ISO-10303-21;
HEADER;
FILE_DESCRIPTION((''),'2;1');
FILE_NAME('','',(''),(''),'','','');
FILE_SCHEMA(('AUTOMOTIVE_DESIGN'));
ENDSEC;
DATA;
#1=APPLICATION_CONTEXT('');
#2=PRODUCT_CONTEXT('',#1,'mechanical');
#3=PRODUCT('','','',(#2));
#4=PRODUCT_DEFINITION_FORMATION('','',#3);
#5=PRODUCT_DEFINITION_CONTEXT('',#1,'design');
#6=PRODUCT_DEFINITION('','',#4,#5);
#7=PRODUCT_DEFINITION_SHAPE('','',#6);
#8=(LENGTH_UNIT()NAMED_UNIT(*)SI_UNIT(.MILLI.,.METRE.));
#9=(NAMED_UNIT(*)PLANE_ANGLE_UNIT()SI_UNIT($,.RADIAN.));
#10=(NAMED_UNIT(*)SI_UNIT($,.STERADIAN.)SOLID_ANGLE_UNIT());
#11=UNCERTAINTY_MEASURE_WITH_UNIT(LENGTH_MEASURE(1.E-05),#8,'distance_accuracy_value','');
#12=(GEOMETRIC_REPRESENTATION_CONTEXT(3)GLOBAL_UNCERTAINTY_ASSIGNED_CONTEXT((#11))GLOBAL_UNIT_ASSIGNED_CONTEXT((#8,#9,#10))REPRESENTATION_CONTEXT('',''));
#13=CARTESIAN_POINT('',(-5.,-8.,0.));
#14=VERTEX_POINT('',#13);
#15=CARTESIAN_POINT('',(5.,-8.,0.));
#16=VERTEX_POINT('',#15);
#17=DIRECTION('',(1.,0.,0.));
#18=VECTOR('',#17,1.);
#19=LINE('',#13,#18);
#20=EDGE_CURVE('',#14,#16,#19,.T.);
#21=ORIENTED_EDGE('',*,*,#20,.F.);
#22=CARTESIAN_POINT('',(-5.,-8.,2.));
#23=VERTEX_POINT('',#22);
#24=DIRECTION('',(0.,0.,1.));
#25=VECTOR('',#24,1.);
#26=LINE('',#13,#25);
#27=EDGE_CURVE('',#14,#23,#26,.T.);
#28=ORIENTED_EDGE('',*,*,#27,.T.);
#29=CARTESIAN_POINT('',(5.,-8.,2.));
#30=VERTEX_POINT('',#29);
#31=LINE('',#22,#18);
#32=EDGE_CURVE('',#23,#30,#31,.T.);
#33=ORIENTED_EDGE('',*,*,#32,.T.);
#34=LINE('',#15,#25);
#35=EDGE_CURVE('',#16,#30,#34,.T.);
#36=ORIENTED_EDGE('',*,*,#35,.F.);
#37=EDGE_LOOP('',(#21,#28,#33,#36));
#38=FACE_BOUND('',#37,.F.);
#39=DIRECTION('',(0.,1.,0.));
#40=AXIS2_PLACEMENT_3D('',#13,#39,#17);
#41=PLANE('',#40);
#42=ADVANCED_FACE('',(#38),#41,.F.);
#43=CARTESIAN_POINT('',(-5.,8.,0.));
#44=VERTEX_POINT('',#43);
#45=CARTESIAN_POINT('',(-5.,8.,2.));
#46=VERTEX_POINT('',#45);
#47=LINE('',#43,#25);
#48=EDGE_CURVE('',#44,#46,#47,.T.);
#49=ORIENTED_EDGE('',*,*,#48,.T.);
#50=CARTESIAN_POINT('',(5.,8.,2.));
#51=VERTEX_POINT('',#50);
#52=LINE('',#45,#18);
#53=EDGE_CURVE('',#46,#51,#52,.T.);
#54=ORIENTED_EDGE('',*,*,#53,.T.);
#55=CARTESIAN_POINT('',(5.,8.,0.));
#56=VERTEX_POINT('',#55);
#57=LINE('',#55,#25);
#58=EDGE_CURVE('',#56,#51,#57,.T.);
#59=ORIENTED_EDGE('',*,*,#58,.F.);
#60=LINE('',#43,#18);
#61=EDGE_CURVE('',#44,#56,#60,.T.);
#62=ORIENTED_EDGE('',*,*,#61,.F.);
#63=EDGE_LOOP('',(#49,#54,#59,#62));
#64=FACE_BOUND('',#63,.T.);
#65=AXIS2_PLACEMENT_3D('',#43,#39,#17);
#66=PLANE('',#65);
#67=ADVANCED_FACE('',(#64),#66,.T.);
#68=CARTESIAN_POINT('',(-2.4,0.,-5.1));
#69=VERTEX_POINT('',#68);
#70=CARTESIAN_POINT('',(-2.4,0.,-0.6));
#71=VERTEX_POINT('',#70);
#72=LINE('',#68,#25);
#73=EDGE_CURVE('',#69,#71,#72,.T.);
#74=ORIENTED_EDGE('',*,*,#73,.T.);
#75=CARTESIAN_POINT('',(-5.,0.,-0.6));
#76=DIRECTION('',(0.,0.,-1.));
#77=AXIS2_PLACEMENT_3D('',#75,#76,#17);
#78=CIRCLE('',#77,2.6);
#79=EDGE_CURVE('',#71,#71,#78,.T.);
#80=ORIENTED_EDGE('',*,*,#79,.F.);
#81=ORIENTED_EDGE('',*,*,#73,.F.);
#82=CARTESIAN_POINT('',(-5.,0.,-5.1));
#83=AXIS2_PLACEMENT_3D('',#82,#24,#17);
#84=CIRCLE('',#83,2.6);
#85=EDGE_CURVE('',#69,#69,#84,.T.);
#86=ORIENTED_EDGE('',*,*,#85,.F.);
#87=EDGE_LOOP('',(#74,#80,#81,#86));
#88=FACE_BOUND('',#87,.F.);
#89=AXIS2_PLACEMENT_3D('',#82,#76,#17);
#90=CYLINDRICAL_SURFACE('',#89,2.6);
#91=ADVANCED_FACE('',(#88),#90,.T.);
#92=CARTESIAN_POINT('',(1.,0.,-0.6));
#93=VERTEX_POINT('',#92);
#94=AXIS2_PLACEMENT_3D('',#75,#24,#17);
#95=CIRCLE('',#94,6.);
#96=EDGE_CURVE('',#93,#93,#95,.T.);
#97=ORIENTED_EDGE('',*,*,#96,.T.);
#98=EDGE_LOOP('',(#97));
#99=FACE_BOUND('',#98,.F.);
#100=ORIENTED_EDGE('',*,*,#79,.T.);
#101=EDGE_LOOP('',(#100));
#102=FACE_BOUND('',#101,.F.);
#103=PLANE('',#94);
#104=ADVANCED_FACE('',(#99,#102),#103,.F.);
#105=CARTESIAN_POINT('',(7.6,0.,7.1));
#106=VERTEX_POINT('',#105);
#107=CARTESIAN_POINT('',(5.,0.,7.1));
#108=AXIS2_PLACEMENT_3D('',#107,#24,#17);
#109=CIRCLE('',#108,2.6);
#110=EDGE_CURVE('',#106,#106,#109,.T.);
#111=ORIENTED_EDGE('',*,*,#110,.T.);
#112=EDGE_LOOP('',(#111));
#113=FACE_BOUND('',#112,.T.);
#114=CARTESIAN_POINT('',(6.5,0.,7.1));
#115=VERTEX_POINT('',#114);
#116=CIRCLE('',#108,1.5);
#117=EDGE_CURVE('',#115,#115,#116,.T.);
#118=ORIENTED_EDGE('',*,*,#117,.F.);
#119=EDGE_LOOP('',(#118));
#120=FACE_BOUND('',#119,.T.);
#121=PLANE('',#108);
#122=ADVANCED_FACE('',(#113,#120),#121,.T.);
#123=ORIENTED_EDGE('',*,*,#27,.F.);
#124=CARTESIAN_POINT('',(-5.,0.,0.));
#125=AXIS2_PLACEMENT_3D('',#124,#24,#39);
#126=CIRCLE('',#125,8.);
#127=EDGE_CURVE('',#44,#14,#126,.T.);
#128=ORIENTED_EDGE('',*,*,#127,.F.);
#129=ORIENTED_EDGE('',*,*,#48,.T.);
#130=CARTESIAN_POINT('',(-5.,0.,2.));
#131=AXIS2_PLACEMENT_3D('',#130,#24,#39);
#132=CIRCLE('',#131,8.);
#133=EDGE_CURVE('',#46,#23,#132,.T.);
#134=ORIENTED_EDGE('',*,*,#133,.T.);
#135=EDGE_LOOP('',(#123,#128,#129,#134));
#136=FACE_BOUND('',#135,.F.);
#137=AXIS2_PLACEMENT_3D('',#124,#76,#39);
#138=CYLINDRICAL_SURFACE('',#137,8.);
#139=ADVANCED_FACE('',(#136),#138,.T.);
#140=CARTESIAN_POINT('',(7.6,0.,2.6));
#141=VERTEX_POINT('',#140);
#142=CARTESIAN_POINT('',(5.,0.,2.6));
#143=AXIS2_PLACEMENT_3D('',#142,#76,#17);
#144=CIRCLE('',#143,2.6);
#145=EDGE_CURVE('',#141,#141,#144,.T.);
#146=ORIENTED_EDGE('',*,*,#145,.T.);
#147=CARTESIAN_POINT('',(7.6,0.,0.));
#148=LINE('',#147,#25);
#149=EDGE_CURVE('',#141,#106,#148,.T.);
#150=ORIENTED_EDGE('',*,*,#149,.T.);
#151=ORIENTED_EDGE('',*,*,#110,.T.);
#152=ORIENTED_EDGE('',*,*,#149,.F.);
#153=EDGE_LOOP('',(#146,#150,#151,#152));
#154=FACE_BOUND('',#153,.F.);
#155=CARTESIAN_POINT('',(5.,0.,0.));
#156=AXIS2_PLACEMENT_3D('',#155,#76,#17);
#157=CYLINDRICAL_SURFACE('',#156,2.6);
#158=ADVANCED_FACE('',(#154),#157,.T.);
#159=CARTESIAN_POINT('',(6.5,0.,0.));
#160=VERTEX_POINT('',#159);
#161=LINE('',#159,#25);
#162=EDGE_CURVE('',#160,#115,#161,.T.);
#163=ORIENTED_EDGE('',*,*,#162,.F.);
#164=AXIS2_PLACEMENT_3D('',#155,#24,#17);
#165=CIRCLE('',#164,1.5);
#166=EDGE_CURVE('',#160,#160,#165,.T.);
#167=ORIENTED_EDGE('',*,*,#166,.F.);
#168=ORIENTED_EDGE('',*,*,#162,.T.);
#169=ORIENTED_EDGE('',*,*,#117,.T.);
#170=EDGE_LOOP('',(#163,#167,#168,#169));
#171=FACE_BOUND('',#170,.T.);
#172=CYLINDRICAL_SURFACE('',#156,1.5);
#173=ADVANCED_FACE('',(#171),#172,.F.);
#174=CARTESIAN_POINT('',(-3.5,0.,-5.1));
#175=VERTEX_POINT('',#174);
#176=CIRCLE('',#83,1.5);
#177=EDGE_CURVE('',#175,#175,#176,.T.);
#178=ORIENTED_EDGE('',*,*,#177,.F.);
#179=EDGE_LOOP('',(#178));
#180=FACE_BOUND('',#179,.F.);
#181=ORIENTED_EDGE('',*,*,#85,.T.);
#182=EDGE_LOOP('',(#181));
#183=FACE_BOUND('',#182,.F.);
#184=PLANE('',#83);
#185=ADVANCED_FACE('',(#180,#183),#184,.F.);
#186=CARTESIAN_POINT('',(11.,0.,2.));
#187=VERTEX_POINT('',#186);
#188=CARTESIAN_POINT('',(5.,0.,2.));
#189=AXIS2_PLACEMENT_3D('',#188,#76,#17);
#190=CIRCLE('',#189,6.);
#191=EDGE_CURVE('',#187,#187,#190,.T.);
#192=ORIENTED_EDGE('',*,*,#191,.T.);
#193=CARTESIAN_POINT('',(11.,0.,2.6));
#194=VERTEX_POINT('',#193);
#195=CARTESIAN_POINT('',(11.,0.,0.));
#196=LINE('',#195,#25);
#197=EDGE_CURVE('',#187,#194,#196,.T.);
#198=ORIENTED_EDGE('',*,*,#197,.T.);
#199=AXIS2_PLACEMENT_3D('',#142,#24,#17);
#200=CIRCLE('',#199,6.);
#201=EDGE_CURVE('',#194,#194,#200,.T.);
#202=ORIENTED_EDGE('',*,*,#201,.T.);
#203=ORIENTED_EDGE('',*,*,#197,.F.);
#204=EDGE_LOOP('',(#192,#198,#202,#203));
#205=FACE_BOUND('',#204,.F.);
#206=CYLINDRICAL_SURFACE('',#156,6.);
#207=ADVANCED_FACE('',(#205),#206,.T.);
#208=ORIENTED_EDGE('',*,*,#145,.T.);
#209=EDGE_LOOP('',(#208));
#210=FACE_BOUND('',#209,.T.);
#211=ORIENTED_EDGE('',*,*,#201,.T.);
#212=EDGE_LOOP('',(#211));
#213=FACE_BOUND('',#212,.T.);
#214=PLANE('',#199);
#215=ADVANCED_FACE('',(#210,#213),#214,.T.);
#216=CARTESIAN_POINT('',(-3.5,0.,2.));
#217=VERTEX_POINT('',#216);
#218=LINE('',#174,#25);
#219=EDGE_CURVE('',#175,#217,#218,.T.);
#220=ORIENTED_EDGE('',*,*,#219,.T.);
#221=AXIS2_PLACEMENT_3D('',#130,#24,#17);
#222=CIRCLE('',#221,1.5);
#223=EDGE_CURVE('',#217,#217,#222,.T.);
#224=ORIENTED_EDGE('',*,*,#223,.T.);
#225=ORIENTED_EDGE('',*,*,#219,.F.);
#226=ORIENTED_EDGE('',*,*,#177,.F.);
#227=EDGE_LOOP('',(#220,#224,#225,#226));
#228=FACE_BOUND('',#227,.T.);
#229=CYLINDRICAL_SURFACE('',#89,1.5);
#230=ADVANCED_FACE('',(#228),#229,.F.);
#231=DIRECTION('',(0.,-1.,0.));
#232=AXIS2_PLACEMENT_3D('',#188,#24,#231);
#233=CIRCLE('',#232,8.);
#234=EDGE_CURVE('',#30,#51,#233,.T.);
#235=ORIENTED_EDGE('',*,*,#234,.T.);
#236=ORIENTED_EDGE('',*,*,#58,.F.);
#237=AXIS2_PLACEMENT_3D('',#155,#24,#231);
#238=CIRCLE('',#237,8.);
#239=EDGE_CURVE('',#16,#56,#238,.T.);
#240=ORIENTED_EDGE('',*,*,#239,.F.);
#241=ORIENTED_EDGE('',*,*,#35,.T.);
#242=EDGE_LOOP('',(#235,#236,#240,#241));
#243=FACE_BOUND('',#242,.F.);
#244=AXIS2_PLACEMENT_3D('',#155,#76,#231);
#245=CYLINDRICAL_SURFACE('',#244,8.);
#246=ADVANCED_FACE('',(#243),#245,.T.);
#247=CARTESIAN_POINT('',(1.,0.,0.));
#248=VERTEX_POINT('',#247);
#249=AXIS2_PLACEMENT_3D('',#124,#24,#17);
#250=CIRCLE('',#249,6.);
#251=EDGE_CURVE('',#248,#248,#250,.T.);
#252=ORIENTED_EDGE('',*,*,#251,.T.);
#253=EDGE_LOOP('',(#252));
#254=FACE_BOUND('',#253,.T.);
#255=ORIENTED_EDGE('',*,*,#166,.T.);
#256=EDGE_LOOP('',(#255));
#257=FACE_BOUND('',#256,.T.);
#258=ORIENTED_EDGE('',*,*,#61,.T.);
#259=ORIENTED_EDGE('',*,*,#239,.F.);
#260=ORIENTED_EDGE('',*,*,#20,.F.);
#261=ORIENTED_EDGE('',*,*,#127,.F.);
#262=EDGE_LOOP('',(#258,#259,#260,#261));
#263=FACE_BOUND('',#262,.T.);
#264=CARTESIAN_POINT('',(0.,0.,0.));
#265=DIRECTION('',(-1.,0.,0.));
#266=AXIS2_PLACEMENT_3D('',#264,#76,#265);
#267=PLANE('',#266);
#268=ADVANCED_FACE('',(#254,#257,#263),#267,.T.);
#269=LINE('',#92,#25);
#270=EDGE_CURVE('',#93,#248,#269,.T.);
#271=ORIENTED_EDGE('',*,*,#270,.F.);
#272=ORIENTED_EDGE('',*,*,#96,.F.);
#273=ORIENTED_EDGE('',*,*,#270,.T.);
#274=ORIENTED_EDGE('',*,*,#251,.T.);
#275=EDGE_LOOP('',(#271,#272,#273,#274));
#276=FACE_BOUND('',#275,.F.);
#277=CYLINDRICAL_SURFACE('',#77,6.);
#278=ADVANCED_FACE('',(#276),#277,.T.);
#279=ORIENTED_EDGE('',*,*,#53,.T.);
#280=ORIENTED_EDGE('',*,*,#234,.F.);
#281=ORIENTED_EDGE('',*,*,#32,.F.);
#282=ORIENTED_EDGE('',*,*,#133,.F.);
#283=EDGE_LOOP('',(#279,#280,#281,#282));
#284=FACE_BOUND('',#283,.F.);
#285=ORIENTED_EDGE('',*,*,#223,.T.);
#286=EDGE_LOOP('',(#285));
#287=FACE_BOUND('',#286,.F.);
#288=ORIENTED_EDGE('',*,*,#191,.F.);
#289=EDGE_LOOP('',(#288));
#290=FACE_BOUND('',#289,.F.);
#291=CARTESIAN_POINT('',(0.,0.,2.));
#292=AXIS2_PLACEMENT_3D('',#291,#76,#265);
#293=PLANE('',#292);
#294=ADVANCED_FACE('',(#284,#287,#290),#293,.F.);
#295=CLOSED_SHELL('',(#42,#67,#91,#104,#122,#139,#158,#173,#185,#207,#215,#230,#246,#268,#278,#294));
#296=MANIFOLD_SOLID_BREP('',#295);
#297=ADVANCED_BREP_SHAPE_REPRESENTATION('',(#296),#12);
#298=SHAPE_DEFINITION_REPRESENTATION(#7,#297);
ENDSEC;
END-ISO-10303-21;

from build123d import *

# Parameters (mm, degrees)
CYLINDER009_R     = 1.5
CYLINDER009_DEPTH = 7.1
CYLINDER007_R     = 1.5
CYLINDER007_DEPTH = 7.1
CYLINDER006_R     = 6
CYLINDER006_DEPTH = 2.6
CYLINDER008_R     = 2.6
CYLINDER008_DEPTH = 7.1
CYLINDER010_R     = 2.6
CYLINDER010_DEPTH = 7.1
PAD_DEPTH         = 2
CYLINDER005_R     = 6
CYLINDER005_DEPTH = 2.6


with BuildPart() as cylinder009:
    # Cylinder009 → Cylinder009 (new body)
    with BuildSketch(Plane(origin=(-5, 0, -5.1), x_dir=(1, 0, 0), z_dir=(0, 0, 1))):
        Circle(CYLINDER009_R)
    extrude(amount=CYLINDER009_DEPTH)


with BuildPart() as idle_linkage_hole_fusion:
    # Cylinder007 → Cylinder007 (new body)
    with BuildSketch(Plane(origin=(5, 0, 0), x_dir=(1, 0, 0), z_dir=(0, 0, 1))):
        Circle(CYLINDER007_R)
    extrude(amount=CYLINDER007_DEPTH)

    # Fusion009: union Cylinder009
    add(cylinder009.part)


with BuildPart() as cylinder006:
    # Cylinder006 → Cylinder006 (new body)
    with BuildSketch(Plane(origin=(-5, 0, -0.6), x_dir=(1, 0, 0), z_dir=(0, 0, 1))):
        Circle(CYLINDER006_R)
    extrude(amount=CYLINDER006_DEPTH)


with BuildPart() as cylinder008:
    # Cylinder008 → Cylinder008 (new body)
    with BuildSketch(Plane(origin=(5, 0, 0), x_dir=(1, 0, 0), z_dir=(0, 0, 1))):
        Circle(CYLINDER008_R)
    extrude(amount=CYLINDER008_DEPTH)


with BuildPart() as cylinder010:
    # Cylinder010 → Cylinder010 (new body)
    with BuildSketch(Plane(origin=(-5, 0, -5.1), x_dir=(1, 0, 0), z_dir=(0, 0, 1))):
        Circle(CYLINDER010_R)
    extrude(amount=CYLINDER010_DEPTH)


with BuildPart() as idle_linkage_base_body:
    # Sketch008 → Pad (new body)
    with BuildSketch(Plane.XY):
        with BuildLine():
            Line((-5, 8), (5, 8))
            ThreePointArc((5, -8), (13, 0), (5, 8))
            Line((-5, -8), (5, -8))
            ThreePointArc((-5, 8), (-13, 0), (-5, -8))
        make_face()
    extrude(amount=PAD_DEPTH)


with BuildPart() as idle_fusion_cut:
    # Cylinder005 → Cylinder005 (new body)
    with BuildSketch(Plane(origin=(5, 0, 0), x_dir=(1, 0, 0), z_dir=(0, 0, 1))):
        Circle(CYLINDER005_R)
    extrude(amount=CYLINDER005_DEPTH)

    # Fusion008: union Cylinder006, Cylinder008, Cylinder010, idle linkage base body
    add(cylinder006.part)
    add(cylinder008.part)
    add(cylinder010.part)
    add(idle_linkage_base_body.part)

    # Cut001: cut idle linkage hole fusion
    add(idle_linkage_hole_fusion.part, mode=Mode.SUBTRACT)


solid = idle_fusion_cut.part
